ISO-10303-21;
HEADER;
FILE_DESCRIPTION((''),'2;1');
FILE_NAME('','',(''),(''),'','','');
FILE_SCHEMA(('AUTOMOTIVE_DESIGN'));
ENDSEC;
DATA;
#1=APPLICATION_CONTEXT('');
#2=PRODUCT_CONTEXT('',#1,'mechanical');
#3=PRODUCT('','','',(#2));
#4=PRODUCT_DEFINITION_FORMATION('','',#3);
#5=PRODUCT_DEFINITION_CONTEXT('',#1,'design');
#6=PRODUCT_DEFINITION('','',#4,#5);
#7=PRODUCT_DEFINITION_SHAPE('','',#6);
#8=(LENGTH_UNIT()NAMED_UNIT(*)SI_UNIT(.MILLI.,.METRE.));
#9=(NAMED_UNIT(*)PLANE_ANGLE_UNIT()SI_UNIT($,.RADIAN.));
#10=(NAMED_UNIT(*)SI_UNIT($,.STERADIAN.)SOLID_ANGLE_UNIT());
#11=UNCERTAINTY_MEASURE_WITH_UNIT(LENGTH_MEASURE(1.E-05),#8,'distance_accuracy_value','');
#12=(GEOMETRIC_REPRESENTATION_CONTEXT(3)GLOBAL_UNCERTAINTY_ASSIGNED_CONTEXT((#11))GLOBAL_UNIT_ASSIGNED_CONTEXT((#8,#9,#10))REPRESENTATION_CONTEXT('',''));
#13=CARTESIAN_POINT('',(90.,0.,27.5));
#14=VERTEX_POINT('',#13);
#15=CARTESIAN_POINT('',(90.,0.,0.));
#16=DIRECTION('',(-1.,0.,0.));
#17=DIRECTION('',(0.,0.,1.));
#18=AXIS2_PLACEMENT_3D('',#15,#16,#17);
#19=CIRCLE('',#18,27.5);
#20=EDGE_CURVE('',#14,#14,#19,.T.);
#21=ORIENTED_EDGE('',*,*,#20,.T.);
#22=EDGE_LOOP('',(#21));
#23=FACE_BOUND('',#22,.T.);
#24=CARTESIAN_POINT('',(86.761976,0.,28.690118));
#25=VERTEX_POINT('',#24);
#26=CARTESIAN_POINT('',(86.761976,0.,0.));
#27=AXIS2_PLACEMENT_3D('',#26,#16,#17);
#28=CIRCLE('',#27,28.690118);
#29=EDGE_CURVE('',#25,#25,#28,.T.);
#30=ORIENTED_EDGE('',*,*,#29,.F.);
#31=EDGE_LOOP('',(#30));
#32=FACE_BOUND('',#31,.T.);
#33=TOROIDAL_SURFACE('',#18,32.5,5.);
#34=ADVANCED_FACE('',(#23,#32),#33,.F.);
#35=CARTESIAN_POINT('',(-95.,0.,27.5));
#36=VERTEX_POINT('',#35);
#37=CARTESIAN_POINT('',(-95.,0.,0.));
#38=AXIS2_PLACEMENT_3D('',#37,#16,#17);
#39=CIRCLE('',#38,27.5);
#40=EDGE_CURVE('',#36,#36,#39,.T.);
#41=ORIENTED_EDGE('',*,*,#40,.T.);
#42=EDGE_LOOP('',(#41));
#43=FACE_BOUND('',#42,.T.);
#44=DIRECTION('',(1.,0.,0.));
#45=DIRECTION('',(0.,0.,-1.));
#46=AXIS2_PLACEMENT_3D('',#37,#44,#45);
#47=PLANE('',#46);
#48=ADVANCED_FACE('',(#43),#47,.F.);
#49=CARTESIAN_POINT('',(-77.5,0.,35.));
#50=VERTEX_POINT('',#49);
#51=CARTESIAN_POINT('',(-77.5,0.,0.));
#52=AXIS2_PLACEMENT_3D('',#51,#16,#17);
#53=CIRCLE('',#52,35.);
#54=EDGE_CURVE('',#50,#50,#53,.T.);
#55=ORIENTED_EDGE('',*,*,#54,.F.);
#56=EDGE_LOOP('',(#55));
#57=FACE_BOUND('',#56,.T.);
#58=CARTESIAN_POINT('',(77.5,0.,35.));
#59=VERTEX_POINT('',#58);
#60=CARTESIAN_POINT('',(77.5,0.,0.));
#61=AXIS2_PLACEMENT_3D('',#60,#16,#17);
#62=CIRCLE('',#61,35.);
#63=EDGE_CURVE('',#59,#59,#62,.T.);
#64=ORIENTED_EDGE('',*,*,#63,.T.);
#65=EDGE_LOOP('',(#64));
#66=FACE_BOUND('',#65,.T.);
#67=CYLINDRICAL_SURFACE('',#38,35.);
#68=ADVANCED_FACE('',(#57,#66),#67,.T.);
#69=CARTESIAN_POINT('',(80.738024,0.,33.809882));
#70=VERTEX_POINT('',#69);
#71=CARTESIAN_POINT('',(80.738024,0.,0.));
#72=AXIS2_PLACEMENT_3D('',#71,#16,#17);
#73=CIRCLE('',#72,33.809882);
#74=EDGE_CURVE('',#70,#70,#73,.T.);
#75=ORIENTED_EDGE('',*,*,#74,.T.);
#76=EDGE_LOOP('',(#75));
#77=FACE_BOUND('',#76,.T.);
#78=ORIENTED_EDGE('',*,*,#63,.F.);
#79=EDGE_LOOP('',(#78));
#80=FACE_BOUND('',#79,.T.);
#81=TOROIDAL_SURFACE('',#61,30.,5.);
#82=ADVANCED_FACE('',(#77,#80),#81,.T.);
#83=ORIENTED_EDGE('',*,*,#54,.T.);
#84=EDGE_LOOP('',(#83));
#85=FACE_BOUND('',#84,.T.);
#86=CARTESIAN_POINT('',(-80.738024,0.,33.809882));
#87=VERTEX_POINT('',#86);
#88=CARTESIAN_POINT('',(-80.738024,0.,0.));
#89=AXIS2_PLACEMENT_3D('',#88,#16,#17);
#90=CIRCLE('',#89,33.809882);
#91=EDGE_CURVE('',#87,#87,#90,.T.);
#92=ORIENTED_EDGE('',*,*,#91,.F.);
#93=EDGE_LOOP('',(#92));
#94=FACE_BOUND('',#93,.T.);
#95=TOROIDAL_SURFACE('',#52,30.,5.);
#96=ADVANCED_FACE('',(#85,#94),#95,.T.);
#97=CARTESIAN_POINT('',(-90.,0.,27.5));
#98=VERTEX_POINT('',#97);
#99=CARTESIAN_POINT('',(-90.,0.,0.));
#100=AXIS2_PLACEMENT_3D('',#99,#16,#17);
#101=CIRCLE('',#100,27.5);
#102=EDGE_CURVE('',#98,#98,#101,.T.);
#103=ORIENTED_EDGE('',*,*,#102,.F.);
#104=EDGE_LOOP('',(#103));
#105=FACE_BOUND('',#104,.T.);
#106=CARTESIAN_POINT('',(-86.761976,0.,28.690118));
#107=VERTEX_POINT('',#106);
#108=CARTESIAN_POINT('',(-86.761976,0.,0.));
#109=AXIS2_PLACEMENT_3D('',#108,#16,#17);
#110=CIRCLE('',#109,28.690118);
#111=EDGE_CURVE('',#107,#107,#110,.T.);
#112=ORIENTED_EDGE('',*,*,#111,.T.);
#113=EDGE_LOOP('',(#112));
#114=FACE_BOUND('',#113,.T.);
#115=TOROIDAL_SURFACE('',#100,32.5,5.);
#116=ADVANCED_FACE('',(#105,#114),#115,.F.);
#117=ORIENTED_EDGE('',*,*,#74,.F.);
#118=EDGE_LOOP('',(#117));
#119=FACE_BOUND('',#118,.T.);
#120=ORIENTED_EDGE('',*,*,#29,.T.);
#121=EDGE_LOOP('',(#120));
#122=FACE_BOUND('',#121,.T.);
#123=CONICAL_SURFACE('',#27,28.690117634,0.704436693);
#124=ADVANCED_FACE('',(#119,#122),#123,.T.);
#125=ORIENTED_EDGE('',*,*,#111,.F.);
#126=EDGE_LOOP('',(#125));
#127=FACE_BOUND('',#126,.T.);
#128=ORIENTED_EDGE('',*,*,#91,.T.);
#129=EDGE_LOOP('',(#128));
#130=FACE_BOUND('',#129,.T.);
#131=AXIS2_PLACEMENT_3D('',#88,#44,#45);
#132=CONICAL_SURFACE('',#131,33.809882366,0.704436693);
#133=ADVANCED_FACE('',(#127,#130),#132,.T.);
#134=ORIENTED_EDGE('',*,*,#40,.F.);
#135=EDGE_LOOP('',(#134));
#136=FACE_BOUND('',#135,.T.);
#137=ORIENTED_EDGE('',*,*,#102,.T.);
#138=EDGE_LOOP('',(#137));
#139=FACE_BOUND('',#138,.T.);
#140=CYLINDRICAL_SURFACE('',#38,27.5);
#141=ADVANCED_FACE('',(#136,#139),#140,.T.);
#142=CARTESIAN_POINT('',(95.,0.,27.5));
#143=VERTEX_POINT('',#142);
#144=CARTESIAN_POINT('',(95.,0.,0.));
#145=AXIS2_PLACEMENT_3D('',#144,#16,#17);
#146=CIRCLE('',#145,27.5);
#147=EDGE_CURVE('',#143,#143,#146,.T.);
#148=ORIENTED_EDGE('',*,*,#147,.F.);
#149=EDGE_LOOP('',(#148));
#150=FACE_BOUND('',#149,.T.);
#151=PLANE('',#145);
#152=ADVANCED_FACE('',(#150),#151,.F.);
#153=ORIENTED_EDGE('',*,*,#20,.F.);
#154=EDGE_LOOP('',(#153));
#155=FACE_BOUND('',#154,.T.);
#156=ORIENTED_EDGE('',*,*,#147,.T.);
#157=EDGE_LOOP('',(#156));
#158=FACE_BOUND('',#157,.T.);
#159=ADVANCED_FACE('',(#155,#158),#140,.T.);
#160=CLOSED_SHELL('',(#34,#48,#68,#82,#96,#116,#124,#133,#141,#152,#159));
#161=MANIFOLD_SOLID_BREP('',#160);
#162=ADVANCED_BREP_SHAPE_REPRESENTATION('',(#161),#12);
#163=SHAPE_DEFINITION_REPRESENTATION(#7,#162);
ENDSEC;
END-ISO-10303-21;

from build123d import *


with BuildPart() as part:
    # Sketch1 → Revolve1 (revolve)
    with BuildSketch(Plane(origin=(0, 0, 0), x_dir=(1, 0, 0), z_dir=(0, 1, 0))):
        with BuildLine():
            Line((95, 0), (95, 27.5))
            Line((95, 27.5), (90, 27.5))
            ThreePointArc((90, 27.5), (88.27509592, 27.80695132), (86.761976473, 28.690117634))
            Line((86.761976473, 28.690117634), (80.738023527, 33.809882366))
            ThreePointArc((80.738023527, 33.809882366), (79.22490408, 34.69304868), (77.5, 35))
            Line((77.5, 35), (-77.5, 35))
            ThreePointArc((-77.5, 35), (-79.22490408, 34.69304868), (-80.738023527, 33.809882366))
            Line((-80.738023527, 33.809882366), (-86.761976473, 28.690117634))
            ThreePointArc((-86.761976473, 28.690117634), (-88.27509592, 27.80695132), (-90, 27.5))
            Line((-90, 27.5), (-95, 27.5))
            Line((-95, 27.5), (-95, 0))
            Line((-95, 0), (95, 0))
        make_face()
    revolve(axis=Axis((-95, 0, 0), (1, 0, 0)))


solid = part.part
